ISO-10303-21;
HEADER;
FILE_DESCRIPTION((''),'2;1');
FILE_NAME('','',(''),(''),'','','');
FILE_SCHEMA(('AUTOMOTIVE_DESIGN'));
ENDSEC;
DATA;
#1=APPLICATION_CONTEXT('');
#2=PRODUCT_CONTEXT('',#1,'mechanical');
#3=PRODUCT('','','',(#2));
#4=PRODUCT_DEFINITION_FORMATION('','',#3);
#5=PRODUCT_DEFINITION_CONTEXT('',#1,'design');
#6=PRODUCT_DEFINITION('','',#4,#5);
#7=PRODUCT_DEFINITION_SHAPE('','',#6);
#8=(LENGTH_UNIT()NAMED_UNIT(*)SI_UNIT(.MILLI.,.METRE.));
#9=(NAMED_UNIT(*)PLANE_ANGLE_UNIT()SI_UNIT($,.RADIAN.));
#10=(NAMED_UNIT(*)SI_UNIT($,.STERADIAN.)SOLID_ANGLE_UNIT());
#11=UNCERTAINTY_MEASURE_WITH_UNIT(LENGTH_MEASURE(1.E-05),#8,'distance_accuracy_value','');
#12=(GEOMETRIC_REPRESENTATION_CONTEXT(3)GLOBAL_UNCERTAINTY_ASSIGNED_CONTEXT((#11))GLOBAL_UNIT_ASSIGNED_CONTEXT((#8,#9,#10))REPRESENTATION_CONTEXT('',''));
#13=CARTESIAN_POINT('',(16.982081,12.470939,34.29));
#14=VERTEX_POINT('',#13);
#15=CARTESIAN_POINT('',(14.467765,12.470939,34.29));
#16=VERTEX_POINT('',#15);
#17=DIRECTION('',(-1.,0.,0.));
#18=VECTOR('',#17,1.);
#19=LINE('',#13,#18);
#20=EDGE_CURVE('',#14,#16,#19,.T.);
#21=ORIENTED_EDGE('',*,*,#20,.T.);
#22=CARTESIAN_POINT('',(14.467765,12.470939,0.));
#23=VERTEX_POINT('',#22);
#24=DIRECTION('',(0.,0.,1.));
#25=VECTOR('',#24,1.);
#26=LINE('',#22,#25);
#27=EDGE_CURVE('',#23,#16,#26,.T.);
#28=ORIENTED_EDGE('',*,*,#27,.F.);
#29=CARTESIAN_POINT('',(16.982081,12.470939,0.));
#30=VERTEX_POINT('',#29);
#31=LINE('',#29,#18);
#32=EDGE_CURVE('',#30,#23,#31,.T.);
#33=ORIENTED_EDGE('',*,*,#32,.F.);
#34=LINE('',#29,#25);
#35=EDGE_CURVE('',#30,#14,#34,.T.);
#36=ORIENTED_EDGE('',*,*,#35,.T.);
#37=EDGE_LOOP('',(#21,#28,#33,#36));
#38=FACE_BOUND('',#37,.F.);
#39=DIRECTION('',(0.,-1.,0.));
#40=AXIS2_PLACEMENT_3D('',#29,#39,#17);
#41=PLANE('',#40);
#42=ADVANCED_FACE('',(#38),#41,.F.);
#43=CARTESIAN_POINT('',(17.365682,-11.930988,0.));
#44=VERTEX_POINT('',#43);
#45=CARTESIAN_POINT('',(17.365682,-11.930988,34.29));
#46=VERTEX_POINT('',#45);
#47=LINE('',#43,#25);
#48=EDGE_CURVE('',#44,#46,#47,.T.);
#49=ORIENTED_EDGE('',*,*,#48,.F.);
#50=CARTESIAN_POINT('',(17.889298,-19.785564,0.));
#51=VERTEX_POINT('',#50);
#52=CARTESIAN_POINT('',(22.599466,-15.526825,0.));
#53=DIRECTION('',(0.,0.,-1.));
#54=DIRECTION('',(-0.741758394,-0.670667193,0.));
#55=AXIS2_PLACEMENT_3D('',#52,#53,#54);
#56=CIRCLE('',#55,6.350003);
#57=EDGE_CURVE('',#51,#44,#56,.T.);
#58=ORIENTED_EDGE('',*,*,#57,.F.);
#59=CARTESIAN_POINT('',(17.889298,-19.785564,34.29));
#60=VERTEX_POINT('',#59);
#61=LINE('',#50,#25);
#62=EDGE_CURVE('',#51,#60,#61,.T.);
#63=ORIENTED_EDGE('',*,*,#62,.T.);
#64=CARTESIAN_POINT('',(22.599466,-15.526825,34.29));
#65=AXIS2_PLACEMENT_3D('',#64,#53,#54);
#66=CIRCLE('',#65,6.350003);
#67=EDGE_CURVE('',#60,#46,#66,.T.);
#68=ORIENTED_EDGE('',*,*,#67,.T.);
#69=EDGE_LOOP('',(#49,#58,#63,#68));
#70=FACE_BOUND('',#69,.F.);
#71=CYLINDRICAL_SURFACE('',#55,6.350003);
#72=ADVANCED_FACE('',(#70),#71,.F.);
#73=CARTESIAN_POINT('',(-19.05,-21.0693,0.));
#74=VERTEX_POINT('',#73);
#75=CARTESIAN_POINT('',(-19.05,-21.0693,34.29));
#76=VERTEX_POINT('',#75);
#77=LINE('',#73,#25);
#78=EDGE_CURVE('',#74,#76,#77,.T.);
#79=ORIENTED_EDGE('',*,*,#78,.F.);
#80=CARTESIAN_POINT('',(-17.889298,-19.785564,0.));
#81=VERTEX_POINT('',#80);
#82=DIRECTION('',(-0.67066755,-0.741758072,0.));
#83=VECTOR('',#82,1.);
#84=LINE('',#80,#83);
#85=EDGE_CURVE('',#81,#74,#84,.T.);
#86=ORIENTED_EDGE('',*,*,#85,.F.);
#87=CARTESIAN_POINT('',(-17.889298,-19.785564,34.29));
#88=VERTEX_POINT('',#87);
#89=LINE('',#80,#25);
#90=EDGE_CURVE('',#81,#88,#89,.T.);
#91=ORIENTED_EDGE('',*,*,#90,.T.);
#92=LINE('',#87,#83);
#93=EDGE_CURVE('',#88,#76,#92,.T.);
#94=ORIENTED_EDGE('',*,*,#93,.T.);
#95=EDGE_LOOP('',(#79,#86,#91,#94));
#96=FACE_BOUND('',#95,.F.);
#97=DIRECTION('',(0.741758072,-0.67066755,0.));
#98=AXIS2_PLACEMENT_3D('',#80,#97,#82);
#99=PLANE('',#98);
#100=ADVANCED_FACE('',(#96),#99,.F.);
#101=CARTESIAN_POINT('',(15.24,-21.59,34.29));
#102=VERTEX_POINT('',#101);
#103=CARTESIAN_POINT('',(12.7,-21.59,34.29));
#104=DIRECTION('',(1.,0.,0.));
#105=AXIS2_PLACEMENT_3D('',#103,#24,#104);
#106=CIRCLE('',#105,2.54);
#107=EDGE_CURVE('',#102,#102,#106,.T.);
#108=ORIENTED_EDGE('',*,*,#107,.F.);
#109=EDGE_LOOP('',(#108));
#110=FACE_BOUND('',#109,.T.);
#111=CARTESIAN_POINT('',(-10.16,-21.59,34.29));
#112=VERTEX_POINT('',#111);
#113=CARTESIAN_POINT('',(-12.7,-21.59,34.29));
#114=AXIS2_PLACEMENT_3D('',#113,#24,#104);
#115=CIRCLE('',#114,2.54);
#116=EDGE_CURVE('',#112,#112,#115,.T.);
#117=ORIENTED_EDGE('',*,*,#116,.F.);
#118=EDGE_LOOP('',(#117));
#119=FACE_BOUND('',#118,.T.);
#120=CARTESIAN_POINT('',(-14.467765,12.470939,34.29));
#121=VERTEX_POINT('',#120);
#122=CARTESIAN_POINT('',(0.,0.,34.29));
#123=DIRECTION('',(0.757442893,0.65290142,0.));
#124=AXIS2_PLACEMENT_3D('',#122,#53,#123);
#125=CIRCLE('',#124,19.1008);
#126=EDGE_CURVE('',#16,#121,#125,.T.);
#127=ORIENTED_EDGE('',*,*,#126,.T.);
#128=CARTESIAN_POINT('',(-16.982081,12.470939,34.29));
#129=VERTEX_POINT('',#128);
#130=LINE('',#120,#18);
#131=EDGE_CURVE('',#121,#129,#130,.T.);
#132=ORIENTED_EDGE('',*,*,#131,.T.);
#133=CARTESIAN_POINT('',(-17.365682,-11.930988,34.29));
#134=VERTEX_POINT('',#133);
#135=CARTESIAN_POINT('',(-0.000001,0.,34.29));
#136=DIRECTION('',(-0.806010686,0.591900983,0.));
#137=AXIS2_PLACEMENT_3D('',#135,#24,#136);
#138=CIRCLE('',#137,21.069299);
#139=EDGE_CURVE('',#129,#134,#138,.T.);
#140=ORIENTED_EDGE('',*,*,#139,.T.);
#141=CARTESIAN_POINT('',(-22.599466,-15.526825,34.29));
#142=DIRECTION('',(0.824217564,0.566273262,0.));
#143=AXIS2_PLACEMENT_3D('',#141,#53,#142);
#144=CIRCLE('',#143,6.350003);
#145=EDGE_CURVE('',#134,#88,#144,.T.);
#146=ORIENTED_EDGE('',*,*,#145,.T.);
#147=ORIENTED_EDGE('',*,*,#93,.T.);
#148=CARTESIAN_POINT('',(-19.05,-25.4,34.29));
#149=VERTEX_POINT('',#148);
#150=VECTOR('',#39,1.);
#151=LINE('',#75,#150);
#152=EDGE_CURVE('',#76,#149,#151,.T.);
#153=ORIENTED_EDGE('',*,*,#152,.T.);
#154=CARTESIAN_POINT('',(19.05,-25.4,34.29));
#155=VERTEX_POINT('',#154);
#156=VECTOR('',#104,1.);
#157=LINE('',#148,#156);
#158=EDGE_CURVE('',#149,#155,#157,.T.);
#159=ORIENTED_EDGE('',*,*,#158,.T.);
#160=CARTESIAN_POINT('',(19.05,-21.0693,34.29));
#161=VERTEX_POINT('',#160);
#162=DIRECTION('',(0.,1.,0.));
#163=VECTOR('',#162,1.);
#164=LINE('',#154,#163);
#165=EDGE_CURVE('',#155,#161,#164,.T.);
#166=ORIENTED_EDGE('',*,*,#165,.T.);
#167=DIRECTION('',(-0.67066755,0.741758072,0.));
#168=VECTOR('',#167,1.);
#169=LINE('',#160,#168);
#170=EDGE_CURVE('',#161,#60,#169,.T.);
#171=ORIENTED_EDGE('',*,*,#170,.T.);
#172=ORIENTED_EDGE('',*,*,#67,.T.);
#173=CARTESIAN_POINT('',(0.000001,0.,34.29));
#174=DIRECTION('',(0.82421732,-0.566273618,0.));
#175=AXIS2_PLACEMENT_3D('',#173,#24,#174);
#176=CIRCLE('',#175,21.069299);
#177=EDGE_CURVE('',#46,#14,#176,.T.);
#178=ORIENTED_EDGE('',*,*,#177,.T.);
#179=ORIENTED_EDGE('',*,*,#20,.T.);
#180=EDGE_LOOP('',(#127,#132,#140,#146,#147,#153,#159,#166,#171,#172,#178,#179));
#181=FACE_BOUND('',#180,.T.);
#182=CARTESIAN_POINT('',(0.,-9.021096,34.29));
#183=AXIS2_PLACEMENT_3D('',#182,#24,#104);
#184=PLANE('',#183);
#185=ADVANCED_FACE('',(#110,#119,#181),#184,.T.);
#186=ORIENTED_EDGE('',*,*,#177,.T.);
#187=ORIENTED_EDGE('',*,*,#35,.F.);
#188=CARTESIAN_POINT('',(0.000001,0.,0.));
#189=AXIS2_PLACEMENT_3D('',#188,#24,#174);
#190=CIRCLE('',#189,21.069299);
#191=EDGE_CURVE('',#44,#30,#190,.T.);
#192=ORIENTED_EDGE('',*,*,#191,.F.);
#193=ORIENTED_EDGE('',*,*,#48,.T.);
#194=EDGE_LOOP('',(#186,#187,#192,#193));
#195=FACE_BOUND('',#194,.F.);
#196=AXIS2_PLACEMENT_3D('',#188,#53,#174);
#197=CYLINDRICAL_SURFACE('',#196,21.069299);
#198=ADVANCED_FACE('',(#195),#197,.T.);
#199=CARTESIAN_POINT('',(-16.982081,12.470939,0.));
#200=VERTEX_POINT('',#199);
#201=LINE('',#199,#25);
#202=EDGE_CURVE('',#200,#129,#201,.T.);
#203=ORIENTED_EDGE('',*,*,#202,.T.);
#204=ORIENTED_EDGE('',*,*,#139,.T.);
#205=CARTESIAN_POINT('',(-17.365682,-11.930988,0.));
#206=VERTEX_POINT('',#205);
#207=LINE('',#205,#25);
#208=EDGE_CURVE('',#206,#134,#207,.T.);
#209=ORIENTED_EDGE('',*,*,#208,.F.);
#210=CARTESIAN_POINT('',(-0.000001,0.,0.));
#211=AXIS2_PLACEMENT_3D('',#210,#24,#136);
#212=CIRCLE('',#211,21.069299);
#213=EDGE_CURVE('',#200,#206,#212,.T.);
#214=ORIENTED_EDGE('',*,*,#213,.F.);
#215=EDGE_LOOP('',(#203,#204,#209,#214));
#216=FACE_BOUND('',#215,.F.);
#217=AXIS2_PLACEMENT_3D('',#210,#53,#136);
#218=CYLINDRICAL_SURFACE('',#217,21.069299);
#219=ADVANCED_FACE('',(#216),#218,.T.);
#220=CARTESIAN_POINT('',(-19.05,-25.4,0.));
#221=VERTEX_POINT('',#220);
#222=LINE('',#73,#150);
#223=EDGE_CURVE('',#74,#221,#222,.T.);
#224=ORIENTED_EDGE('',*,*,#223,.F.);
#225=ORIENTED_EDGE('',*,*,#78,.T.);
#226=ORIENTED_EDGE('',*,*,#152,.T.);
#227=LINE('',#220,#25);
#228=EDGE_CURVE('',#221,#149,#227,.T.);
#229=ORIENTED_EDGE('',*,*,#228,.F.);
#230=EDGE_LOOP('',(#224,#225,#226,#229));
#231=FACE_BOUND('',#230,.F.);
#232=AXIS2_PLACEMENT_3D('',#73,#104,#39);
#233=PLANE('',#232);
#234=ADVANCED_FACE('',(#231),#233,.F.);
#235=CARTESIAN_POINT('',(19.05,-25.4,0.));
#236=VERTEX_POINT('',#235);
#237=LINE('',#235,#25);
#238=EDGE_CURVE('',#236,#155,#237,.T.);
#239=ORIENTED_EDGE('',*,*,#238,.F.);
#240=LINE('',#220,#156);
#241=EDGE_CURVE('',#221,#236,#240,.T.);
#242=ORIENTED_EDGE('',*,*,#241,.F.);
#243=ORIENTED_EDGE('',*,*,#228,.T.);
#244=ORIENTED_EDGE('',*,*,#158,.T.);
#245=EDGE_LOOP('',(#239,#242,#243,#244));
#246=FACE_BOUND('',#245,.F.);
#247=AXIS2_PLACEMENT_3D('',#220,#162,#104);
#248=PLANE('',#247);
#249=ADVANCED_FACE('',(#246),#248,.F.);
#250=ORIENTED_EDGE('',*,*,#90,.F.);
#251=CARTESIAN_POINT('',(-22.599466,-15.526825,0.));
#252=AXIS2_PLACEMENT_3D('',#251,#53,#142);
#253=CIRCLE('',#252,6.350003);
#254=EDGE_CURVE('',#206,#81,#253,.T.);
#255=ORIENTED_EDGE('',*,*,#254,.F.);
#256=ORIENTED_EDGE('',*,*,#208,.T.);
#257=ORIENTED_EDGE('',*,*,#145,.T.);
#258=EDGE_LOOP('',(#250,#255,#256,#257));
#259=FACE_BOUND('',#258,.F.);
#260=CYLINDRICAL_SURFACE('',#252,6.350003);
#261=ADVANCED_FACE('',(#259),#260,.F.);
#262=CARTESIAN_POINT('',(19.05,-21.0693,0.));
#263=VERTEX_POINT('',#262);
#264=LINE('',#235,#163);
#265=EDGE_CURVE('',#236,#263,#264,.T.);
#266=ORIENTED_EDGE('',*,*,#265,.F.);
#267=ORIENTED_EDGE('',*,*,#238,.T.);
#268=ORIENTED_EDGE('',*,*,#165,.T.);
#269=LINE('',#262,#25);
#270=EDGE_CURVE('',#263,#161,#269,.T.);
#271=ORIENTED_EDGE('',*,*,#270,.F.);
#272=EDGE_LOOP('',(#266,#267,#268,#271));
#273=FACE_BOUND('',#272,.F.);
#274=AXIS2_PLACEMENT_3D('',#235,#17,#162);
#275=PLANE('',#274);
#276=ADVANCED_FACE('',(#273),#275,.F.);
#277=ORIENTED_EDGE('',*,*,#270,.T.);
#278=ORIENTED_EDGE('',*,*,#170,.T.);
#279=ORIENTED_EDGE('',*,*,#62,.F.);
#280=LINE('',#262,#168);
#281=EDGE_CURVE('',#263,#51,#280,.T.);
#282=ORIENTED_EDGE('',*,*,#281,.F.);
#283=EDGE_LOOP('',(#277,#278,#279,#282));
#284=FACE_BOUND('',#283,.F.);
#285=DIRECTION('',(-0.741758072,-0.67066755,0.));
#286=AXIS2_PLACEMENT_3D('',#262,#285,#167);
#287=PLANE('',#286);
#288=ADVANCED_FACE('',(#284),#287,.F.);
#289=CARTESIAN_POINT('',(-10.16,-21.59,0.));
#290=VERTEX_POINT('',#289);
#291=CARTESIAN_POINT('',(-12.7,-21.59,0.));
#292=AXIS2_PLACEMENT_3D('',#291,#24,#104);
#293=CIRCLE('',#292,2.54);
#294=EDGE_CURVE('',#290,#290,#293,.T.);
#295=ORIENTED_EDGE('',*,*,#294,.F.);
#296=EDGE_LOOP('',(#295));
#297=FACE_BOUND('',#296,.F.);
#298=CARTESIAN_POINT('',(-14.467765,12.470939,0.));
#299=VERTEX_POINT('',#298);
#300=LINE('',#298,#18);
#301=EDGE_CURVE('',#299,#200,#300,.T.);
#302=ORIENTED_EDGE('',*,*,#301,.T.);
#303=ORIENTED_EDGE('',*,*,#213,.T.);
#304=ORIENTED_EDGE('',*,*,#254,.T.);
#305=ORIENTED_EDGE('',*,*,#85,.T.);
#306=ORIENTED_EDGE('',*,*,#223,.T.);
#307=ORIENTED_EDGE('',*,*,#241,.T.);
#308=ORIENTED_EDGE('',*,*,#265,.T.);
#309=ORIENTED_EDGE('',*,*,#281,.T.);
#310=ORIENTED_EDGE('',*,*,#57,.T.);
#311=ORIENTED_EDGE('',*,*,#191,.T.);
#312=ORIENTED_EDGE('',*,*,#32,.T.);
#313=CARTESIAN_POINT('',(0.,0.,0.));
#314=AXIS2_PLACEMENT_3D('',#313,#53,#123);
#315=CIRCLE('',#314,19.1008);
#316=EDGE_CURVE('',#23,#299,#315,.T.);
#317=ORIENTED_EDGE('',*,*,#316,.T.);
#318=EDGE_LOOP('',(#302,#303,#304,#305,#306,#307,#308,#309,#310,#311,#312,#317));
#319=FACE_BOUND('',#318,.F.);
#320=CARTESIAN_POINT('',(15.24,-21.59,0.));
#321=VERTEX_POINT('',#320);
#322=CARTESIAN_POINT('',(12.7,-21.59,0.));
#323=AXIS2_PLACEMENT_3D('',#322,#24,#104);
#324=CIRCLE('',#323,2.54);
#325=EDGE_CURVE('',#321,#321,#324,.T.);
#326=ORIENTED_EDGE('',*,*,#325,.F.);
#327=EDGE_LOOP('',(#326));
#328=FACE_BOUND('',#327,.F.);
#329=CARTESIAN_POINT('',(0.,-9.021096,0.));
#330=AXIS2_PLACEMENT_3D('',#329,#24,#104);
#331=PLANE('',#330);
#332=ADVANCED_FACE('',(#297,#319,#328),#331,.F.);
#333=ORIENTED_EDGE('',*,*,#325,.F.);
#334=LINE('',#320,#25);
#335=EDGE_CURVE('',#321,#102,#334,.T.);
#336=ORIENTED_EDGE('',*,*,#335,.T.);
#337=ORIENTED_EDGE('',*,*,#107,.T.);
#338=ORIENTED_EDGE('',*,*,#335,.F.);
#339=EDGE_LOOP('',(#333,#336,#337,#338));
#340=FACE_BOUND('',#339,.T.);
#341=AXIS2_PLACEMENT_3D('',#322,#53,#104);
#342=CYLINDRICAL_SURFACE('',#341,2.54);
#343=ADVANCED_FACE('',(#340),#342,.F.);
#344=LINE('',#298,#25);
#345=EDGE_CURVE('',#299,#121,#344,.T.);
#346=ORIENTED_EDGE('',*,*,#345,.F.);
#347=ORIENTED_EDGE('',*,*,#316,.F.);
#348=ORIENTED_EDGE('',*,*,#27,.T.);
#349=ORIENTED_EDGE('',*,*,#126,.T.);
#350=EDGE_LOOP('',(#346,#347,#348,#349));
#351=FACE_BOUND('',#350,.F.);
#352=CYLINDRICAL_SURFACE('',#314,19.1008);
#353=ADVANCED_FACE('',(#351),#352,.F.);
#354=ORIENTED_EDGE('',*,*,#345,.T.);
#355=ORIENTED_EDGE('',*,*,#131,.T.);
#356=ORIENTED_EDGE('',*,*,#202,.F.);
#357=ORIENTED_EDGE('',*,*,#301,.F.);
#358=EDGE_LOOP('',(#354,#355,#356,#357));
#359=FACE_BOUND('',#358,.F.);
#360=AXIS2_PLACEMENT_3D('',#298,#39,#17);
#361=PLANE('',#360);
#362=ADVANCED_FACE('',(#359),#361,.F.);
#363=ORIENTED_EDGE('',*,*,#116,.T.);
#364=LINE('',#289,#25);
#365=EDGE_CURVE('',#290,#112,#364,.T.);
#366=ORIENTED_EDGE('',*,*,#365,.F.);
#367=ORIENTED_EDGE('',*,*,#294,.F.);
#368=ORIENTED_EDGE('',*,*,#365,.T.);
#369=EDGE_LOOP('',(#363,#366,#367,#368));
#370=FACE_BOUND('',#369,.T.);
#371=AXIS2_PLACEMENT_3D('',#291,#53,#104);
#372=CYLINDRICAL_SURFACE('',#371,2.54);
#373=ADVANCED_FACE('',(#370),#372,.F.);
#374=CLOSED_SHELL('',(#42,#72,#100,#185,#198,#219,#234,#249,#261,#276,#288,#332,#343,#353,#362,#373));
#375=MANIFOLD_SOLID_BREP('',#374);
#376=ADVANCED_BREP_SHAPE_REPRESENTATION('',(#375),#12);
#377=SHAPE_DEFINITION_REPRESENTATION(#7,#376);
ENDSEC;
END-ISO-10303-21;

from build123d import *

# Parameters (mm, degrees)
F0_R     = 2.54
F1_DEPTH = 34.29


with BuildPart() as f1:
    # F0 (on Top) → F1 (new body)
    with BuildSketch(Plane.XY):
        with BuildLine():
            Line((-14.467765, 12.470939), (-16.982081, 12.470939))
            ThreePointArc((-16.982081, 12.470939), (-21.066697, 0.331171), (-17.365682, -11.930988))
            ThreePointArc((-17.365682, -11.930988), (-16.263526, -15.949203), (-17.889298, -19.785564))
            Line((-17.889298, -19.785564), (-19.05, -21.0693))
            Line((-19.05, -21.0693), (-19.05, -25.4))
            Line((-19.05, -25.4), (0, -25.4))
            Line((0, -25.4), (19.05, -25.4))
            Line((19.05, -25.4), (19.05, -21.0693))
            Line((19.05, -21.0693), (17.889298, -19.785564))
            ThreePointArc((17.889298, -19.785564), (16.263526, -15.949203), (17.365682, -11.930988))
            ThreePointArc((17.365682, -11.930988), (21.066697, 0.331171), (16.982081, 12.470939))
            Line((16.982081, 12.470939), (14.467765, 12.470939))
            ThreePointArc((14.467765, 12.470939), (0, -19.1008), (-14.467765, 12.470939))
        make_face()
        with Locations((-12.7, -21.59)):
            Circle(F0_R, mode=Mode.SUBTRACT)
        with Locations((12.7, -21.59)):
            Circle(F0_R, mode=Mode.SUBTRACT)
    extrude(amount=F1_DEPTH)


solid = f1.part
